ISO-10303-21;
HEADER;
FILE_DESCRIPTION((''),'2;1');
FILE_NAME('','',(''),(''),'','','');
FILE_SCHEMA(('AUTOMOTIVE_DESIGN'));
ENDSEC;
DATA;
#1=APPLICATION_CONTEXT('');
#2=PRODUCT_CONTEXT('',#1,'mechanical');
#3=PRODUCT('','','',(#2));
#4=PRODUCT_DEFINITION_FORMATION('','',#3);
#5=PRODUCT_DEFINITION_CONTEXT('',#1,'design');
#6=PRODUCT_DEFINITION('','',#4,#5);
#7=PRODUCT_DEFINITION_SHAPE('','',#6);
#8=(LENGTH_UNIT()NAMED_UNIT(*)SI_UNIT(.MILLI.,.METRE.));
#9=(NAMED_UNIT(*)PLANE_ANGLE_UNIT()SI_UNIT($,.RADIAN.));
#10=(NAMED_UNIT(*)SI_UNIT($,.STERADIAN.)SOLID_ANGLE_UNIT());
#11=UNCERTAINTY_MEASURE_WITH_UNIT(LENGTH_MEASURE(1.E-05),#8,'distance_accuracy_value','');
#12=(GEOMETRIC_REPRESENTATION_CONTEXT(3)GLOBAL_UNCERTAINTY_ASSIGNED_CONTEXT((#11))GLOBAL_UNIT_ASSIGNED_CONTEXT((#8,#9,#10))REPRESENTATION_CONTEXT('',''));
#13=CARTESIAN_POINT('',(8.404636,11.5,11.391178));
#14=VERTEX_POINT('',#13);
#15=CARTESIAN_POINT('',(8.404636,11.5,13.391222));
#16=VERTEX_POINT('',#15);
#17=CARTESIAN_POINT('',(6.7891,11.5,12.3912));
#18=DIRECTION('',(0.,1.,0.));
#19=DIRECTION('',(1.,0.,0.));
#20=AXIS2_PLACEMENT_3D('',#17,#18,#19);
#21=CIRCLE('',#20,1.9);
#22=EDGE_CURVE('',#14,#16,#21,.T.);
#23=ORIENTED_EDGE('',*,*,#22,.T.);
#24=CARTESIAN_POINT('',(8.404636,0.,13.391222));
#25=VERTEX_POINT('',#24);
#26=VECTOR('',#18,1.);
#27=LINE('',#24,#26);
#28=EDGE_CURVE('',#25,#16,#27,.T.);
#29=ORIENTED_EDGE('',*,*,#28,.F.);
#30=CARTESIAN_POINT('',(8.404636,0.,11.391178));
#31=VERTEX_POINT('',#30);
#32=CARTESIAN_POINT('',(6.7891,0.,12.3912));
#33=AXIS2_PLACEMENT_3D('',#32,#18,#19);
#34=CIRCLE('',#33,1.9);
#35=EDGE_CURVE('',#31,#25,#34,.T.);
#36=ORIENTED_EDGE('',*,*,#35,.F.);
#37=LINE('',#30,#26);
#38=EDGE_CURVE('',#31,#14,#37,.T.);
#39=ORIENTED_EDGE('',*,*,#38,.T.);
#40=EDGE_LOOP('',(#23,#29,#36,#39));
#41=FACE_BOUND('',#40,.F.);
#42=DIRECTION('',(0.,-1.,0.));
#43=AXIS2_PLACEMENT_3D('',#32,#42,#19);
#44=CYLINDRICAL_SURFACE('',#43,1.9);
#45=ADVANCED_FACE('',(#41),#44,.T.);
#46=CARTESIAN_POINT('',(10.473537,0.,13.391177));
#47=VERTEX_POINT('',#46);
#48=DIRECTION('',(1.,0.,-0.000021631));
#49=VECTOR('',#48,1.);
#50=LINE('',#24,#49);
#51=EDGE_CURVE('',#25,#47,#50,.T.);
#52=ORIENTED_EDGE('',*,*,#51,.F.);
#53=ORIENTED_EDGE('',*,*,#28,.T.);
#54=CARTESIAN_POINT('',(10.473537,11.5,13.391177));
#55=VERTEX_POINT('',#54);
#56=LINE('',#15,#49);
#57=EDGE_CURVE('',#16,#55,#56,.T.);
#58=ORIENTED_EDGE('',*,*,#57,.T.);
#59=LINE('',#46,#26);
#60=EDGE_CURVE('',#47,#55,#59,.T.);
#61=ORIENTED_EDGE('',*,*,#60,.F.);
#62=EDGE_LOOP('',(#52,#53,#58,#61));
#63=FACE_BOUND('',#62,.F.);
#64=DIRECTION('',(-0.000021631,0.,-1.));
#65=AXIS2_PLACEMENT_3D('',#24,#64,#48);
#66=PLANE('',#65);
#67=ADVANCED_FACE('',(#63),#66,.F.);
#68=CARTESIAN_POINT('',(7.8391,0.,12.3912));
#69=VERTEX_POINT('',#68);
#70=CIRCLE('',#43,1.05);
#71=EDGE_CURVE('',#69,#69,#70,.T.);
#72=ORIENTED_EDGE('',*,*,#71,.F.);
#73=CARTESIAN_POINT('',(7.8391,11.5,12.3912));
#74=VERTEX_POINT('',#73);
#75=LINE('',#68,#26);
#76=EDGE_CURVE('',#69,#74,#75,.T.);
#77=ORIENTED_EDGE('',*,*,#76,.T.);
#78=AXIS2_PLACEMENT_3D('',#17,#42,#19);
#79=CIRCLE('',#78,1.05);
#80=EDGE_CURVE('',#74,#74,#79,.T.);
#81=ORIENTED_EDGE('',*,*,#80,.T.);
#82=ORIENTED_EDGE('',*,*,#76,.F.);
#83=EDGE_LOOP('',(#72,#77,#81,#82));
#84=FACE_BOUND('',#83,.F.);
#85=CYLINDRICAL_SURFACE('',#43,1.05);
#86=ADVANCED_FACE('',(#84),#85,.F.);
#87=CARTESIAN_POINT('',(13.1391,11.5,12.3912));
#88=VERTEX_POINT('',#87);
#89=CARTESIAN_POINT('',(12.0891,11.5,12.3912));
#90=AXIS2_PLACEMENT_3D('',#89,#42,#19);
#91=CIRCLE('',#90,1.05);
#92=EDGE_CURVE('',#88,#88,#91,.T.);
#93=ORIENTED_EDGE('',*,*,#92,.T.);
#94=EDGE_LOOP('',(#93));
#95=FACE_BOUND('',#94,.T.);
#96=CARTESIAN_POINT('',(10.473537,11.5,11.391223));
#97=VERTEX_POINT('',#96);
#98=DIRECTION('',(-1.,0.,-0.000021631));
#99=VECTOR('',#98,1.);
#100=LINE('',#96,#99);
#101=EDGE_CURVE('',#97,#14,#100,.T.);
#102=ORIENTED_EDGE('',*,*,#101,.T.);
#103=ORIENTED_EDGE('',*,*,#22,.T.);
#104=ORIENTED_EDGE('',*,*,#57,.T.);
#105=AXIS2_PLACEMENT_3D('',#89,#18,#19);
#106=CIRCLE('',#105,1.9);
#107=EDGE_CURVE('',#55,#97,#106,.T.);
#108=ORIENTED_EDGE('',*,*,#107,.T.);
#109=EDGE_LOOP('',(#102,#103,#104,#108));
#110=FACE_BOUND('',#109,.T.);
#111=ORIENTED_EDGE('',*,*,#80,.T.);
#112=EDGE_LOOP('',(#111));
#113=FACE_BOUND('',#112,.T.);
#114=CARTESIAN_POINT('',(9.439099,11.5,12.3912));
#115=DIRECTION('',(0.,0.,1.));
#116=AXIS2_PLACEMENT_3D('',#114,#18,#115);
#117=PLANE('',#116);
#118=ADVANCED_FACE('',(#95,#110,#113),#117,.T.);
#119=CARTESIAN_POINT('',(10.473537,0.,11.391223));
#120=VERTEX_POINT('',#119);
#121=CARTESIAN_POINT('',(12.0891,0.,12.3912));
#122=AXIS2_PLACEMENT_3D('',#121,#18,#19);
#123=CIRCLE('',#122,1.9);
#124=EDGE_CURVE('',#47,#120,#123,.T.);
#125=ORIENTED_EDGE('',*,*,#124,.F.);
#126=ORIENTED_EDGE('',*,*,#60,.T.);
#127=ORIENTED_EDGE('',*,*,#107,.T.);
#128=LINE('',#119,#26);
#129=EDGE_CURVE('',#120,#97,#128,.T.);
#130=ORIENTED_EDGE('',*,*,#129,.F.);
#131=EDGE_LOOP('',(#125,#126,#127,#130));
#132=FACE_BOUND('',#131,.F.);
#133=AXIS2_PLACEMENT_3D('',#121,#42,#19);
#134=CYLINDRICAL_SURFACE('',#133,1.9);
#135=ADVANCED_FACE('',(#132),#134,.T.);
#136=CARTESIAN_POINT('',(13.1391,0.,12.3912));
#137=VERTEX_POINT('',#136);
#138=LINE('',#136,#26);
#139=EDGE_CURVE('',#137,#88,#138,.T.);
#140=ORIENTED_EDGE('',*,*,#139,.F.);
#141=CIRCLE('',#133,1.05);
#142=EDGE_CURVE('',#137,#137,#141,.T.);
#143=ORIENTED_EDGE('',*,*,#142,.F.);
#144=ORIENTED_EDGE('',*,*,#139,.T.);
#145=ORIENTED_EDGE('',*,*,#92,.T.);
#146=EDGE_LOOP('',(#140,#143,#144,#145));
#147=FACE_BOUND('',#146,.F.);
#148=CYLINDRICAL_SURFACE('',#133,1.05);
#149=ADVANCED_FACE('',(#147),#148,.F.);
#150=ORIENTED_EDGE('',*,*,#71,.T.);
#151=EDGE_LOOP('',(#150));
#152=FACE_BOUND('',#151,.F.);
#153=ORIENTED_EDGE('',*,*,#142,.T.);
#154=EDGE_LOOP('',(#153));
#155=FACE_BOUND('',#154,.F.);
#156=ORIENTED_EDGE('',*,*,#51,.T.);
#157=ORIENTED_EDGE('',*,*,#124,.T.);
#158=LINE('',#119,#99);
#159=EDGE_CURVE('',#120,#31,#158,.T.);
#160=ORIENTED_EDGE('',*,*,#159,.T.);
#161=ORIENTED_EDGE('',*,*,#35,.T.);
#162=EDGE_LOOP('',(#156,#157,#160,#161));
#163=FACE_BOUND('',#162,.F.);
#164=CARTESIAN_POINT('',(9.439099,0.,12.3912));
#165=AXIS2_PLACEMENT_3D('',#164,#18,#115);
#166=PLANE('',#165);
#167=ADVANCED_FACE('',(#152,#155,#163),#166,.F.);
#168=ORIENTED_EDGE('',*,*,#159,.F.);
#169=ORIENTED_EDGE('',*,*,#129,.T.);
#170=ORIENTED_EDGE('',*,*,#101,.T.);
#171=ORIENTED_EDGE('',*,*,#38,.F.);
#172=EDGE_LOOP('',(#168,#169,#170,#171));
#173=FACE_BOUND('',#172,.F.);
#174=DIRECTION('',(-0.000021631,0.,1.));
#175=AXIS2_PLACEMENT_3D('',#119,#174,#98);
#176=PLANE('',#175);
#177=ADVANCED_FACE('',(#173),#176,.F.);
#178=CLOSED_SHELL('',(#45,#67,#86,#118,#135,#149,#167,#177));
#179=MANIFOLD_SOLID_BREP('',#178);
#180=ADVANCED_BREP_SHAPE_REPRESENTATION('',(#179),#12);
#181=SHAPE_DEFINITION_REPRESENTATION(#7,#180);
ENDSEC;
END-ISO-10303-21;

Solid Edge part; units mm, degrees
sketch "Sketch1" plane through (0, 0, 0) normal (0, -1, 0) x (1, 0, 0)
  circle A0 centre (6.7891, 12.3912) radius 1.05
  circle A1 centre (12.0891, 12.3912) radius 1.05
  line L0 (8.4046, 13.3912) -> (10.4735, 13.3912)
  line L1 (10.4735, 11.3912) -> (8.4046, 11.3912)
  arc A2 (8.4046, 11.3912) -> (8.4046, 13.3912) centre (6.7891, 12.3912) cw
  arc A3 (10.4735, 13.3912) -> (10.4735, 11.3912) centre (12.0891, 12.3912) cw
extrude "Protrusion1" add sketch "Sketch1" against normal blind 11.5
